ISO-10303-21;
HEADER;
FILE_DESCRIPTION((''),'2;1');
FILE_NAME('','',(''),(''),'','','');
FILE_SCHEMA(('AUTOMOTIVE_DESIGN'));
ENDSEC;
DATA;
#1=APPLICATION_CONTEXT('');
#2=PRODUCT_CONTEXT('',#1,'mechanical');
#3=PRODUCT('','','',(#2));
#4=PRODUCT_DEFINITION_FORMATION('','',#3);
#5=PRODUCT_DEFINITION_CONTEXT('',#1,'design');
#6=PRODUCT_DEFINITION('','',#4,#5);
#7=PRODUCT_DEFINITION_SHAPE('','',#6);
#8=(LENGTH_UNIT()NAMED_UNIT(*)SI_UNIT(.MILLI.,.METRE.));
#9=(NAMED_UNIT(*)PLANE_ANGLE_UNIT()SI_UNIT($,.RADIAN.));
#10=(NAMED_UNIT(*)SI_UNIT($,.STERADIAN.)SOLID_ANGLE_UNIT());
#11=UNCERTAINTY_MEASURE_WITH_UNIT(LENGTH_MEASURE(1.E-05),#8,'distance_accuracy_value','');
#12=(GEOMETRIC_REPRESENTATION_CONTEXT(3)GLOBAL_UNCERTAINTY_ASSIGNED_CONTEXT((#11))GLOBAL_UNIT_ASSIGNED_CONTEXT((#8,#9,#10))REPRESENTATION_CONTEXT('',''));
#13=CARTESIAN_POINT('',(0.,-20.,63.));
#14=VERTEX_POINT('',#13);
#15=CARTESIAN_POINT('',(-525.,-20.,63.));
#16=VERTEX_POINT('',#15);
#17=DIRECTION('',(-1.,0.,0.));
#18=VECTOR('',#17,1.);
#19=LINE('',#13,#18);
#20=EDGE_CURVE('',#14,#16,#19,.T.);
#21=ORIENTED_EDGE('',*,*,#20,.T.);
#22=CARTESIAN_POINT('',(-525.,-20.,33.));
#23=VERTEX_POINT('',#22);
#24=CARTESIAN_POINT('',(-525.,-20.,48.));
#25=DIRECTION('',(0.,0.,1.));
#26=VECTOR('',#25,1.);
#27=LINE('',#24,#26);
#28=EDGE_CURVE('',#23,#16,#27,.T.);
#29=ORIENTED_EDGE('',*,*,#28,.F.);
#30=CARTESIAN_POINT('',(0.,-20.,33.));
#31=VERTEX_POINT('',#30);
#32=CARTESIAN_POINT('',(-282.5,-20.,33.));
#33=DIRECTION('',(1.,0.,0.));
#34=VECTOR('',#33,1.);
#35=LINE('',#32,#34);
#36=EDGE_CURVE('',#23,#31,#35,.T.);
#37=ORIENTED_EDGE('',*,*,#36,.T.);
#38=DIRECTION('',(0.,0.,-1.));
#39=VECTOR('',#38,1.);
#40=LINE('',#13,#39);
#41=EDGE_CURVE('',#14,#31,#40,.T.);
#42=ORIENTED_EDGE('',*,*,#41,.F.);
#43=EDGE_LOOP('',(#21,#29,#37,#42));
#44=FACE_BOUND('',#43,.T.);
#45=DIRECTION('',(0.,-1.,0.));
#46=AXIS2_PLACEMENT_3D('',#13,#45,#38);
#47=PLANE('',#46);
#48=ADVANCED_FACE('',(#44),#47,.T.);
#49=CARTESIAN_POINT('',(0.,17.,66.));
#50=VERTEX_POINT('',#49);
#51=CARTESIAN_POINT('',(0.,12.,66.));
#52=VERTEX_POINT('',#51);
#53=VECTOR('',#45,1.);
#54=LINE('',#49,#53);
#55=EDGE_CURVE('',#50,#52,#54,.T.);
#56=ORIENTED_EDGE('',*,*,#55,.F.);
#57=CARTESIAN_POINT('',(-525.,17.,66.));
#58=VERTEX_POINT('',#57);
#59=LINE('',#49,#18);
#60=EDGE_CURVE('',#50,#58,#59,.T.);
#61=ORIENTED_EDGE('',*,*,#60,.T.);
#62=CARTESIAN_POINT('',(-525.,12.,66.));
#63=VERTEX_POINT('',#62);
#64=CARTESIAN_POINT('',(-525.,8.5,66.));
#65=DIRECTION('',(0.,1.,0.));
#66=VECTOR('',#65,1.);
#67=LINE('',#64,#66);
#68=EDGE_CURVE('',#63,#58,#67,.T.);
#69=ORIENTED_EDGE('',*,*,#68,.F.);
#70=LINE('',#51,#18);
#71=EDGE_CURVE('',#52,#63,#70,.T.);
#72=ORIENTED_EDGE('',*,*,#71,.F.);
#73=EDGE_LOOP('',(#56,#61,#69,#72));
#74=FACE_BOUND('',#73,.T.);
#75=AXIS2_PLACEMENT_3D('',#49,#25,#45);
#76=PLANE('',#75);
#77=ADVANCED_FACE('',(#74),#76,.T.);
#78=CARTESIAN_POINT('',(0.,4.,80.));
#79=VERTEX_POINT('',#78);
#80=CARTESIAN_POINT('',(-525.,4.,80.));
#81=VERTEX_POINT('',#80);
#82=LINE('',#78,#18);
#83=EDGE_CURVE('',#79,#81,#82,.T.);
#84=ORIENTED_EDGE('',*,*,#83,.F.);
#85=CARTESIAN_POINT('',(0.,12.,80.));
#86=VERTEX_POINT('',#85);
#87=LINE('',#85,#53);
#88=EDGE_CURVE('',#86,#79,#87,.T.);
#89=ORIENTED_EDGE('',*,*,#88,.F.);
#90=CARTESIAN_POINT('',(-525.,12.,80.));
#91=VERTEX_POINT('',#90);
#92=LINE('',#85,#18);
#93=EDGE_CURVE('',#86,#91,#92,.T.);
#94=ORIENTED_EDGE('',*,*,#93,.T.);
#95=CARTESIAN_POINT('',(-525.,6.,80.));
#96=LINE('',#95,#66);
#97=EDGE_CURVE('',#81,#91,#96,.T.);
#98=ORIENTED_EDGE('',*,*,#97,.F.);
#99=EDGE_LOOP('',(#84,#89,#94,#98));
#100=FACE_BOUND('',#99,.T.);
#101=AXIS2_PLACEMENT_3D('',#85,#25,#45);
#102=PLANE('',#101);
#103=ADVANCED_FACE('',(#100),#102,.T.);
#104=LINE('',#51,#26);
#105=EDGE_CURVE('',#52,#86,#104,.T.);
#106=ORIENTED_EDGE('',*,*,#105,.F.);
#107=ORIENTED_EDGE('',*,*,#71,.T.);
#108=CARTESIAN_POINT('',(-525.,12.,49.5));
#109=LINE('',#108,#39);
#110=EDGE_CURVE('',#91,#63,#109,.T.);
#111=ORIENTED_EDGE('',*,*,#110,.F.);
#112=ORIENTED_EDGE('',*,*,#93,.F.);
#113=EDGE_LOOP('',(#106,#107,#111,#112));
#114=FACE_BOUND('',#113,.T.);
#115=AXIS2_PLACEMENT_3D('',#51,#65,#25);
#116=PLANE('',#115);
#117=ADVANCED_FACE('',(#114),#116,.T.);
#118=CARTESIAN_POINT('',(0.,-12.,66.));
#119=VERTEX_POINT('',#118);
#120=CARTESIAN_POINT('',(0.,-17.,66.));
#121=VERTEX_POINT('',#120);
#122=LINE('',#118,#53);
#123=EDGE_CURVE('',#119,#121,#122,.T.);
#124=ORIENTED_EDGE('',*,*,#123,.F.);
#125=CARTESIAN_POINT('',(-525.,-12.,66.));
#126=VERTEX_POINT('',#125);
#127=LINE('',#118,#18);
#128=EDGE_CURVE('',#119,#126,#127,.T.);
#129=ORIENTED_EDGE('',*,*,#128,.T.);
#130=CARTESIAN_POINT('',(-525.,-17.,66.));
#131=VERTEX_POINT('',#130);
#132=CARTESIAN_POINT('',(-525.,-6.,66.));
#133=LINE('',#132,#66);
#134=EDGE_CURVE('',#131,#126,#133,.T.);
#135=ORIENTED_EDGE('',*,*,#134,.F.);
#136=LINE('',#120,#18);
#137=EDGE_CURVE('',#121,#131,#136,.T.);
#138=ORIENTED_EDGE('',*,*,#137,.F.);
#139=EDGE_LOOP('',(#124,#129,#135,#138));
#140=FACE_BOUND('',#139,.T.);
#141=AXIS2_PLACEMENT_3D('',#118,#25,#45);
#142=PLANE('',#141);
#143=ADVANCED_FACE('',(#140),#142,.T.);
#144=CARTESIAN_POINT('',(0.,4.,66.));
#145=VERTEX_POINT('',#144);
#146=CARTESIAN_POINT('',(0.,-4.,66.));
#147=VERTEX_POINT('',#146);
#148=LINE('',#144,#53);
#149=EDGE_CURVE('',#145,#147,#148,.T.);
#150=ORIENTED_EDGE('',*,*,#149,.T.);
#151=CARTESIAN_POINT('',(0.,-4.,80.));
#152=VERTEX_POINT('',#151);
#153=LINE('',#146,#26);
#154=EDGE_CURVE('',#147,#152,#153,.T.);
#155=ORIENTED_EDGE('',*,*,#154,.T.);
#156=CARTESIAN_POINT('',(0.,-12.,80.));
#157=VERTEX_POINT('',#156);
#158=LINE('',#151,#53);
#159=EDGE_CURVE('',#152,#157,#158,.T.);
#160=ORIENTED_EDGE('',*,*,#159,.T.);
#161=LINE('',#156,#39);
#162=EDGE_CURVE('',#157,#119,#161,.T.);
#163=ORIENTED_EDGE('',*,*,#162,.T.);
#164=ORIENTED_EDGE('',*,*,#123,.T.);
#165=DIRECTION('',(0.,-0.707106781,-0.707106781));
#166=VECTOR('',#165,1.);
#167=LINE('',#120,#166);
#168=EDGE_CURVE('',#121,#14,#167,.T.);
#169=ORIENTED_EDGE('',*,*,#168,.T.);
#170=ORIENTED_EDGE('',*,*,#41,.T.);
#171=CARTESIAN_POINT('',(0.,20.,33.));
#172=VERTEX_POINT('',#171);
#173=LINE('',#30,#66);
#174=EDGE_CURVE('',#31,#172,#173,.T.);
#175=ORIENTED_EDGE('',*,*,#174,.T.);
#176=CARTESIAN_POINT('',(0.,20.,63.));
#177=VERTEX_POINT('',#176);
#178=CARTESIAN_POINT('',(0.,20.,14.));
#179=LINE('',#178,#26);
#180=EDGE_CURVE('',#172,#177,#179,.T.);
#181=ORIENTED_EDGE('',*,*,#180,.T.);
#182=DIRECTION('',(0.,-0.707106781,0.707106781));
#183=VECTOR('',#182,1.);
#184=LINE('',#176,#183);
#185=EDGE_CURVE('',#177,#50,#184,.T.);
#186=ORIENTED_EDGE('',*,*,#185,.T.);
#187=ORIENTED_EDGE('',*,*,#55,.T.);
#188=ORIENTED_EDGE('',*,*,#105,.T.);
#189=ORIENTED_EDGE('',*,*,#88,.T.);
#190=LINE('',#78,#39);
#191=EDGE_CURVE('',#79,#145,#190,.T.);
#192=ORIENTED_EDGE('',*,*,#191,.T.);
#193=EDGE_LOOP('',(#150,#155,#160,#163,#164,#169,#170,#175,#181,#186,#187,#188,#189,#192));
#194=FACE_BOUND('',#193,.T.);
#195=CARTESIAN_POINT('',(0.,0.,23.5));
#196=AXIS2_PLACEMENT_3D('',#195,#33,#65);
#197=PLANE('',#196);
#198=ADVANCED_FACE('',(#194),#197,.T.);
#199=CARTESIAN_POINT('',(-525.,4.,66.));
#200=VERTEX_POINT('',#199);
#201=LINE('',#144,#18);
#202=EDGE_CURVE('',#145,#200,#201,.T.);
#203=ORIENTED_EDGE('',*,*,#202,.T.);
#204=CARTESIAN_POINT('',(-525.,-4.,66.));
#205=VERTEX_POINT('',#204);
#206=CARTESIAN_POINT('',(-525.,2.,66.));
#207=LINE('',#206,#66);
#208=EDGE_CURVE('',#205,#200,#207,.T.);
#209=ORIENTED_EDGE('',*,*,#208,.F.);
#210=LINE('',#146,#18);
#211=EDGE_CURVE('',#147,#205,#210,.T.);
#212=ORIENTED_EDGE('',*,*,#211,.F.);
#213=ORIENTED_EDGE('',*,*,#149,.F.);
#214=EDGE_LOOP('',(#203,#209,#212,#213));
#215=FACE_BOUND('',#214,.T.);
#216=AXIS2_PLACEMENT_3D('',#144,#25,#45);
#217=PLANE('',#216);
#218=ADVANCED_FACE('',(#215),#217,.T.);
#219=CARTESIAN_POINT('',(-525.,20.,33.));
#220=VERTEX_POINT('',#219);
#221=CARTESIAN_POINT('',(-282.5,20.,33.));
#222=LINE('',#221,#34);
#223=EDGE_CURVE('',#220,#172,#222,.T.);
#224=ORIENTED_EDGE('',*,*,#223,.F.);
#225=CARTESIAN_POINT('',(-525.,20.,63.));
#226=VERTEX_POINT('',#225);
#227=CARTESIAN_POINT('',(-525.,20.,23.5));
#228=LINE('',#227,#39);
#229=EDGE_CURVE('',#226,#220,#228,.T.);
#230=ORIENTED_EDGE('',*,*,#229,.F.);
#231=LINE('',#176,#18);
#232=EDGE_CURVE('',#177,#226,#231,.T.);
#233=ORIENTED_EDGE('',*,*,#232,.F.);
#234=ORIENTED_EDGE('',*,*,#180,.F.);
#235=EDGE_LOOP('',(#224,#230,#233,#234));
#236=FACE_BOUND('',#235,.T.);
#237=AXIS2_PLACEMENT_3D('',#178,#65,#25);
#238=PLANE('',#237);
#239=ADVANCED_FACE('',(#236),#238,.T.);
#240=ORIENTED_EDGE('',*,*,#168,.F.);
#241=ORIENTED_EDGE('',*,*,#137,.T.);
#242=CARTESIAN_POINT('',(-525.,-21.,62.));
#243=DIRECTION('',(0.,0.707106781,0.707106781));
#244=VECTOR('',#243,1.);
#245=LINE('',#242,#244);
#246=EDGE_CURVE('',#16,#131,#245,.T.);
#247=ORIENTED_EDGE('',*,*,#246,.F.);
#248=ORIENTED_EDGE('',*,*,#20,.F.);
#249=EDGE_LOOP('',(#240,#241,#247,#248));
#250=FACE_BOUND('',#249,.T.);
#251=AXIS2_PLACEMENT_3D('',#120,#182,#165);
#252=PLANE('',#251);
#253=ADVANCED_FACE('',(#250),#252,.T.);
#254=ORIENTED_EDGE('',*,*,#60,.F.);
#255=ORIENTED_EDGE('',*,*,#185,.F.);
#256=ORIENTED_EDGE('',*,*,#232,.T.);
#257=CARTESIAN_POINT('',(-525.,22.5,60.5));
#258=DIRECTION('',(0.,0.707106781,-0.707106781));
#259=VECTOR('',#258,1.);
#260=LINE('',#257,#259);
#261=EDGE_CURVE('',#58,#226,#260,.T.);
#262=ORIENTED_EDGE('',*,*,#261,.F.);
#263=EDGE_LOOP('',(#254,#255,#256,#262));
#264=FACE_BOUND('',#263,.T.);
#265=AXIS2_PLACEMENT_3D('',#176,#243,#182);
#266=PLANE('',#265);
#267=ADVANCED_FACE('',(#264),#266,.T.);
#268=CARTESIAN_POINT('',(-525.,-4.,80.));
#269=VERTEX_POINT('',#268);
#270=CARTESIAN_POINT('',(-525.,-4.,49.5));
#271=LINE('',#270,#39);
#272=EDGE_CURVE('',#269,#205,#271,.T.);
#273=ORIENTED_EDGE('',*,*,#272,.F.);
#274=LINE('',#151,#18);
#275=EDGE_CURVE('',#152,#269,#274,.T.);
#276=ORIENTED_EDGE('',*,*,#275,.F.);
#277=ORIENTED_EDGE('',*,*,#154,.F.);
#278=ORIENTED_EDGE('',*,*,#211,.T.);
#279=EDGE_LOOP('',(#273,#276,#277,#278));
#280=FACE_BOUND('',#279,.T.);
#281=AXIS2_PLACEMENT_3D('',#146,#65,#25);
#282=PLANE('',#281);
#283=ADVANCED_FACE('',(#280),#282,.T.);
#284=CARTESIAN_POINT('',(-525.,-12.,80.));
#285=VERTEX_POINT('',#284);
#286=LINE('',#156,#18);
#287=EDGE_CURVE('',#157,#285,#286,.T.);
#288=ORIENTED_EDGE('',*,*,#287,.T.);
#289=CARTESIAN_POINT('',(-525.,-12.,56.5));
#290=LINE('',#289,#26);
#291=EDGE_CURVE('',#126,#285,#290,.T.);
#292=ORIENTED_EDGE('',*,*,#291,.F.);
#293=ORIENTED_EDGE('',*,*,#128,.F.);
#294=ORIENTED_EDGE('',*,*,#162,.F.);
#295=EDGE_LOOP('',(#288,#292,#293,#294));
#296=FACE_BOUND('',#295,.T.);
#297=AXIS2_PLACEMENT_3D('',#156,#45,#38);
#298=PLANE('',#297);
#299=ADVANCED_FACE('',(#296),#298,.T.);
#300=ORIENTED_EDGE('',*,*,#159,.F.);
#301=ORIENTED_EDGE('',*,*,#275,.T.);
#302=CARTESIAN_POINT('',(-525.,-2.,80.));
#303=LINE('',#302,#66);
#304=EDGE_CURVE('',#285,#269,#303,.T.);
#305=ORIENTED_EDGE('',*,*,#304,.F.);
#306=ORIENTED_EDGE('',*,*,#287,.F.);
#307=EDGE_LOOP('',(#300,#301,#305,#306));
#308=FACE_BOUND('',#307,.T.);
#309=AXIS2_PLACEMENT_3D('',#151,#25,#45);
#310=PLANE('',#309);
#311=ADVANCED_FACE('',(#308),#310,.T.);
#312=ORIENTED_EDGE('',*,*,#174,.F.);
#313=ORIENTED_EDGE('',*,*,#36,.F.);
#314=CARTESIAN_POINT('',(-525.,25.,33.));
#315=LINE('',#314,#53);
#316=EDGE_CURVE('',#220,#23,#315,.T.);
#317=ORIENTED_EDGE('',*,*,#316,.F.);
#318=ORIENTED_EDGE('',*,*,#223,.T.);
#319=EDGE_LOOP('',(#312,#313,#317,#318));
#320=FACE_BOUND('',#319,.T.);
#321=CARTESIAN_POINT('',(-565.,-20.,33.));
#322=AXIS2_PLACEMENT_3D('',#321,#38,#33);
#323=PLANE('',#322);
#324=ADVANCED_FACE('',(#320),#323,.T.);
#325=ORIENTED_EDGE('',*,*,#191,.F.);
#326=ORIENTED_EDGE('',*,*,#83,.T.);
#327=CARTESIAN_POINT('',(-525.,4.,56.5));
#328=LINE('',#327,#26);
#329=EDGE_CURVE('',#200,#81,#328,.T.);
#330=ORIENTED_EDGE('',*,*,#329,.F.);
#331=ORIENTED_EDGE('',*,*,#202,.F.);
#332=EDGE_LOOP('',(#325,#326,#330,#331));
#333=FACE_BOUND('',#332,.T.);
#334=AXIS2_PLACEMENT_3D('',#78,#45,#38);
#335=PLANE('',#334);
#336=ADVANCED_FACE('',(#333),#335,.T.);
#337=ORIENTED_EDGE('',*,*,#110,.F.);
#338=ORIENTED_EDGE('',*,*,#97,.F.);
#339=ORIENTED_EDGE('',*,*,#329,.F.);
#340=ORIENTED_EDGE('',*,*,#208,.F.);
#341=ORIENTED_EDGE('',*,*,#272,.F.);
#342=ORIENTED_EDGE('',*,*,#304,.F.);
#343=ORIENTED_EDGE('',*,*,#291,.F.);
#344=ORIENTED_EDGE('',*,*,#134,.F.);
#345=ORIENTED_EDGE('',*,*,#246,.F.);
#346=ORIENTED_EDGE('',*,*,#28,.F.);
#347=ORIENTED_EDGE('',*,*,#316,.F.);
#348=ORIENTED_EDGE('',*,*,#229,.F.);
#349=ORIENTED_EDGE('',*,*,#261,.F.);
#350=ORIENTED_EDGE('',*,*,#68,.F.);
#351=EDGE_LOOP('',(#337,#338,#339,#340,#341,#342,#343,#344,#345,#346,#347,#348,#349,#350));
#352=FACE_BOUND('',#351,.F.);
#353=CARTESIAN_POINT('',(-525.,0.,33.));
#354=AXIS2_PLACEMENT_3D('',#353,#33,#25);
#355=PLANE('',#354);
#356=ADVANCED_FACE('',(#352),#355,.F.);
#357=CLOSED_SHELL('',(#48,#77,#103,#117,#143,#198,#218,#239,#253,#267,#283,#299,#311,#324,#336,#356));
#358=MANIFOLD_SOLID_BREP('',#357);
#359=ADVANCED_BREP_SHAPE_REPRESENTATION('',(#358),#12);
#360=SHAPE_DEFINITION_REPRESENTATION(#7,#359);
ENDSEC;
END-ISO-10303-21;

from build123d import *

# Parameters (mm, degrees)
F0_W     = 40
F0_H     = 19
F2_DEPTH = 565
F1_W     = 80
F1_H     = 100
F3_DEPTH = 25
F4_W     = 565
F4_H     = 19
F5_DEPTH = 40


with BuildPart() as f2:
    # F0 (on Right) → F2 (new body)
    with BuildSketch(Plane.YZ):
        with Locations((0, 23.5)):
            Rectangle(F0_W, F0_H)
        Polygon((20, 33), (20, 63), (17, 66), (12, 66), (12, 80), (4, 80), (4, 66), (-4, 66), (-4, 80), (-12, 80), (-12, 66), (-17, 66), (-20, 63), (-20, 33), align=None)
    extrude(amount=-F2_DEPTH)

    # F1 (on Front) → F3 (cut, symmetric)
    with BuildSketch(Plane.XZ):
        with Locations((-565, 83)):
            Rectangle(F1_W, F1_H)
    extrude(amount=F3_DEPTH, both=True, mode=Mode.SUBTRACT)

    # F4 (on face) → F5 (cut, through all)
    with BuildSketch(Plane.XZ.offset(20)):
        with Locations((-282.5, 23.5)):
            Rectangle(F4_W, F4_H)
    extrude(amount=-F5_DEPTH, mode=Mode.SUBTRACT)


solid = f2.part
